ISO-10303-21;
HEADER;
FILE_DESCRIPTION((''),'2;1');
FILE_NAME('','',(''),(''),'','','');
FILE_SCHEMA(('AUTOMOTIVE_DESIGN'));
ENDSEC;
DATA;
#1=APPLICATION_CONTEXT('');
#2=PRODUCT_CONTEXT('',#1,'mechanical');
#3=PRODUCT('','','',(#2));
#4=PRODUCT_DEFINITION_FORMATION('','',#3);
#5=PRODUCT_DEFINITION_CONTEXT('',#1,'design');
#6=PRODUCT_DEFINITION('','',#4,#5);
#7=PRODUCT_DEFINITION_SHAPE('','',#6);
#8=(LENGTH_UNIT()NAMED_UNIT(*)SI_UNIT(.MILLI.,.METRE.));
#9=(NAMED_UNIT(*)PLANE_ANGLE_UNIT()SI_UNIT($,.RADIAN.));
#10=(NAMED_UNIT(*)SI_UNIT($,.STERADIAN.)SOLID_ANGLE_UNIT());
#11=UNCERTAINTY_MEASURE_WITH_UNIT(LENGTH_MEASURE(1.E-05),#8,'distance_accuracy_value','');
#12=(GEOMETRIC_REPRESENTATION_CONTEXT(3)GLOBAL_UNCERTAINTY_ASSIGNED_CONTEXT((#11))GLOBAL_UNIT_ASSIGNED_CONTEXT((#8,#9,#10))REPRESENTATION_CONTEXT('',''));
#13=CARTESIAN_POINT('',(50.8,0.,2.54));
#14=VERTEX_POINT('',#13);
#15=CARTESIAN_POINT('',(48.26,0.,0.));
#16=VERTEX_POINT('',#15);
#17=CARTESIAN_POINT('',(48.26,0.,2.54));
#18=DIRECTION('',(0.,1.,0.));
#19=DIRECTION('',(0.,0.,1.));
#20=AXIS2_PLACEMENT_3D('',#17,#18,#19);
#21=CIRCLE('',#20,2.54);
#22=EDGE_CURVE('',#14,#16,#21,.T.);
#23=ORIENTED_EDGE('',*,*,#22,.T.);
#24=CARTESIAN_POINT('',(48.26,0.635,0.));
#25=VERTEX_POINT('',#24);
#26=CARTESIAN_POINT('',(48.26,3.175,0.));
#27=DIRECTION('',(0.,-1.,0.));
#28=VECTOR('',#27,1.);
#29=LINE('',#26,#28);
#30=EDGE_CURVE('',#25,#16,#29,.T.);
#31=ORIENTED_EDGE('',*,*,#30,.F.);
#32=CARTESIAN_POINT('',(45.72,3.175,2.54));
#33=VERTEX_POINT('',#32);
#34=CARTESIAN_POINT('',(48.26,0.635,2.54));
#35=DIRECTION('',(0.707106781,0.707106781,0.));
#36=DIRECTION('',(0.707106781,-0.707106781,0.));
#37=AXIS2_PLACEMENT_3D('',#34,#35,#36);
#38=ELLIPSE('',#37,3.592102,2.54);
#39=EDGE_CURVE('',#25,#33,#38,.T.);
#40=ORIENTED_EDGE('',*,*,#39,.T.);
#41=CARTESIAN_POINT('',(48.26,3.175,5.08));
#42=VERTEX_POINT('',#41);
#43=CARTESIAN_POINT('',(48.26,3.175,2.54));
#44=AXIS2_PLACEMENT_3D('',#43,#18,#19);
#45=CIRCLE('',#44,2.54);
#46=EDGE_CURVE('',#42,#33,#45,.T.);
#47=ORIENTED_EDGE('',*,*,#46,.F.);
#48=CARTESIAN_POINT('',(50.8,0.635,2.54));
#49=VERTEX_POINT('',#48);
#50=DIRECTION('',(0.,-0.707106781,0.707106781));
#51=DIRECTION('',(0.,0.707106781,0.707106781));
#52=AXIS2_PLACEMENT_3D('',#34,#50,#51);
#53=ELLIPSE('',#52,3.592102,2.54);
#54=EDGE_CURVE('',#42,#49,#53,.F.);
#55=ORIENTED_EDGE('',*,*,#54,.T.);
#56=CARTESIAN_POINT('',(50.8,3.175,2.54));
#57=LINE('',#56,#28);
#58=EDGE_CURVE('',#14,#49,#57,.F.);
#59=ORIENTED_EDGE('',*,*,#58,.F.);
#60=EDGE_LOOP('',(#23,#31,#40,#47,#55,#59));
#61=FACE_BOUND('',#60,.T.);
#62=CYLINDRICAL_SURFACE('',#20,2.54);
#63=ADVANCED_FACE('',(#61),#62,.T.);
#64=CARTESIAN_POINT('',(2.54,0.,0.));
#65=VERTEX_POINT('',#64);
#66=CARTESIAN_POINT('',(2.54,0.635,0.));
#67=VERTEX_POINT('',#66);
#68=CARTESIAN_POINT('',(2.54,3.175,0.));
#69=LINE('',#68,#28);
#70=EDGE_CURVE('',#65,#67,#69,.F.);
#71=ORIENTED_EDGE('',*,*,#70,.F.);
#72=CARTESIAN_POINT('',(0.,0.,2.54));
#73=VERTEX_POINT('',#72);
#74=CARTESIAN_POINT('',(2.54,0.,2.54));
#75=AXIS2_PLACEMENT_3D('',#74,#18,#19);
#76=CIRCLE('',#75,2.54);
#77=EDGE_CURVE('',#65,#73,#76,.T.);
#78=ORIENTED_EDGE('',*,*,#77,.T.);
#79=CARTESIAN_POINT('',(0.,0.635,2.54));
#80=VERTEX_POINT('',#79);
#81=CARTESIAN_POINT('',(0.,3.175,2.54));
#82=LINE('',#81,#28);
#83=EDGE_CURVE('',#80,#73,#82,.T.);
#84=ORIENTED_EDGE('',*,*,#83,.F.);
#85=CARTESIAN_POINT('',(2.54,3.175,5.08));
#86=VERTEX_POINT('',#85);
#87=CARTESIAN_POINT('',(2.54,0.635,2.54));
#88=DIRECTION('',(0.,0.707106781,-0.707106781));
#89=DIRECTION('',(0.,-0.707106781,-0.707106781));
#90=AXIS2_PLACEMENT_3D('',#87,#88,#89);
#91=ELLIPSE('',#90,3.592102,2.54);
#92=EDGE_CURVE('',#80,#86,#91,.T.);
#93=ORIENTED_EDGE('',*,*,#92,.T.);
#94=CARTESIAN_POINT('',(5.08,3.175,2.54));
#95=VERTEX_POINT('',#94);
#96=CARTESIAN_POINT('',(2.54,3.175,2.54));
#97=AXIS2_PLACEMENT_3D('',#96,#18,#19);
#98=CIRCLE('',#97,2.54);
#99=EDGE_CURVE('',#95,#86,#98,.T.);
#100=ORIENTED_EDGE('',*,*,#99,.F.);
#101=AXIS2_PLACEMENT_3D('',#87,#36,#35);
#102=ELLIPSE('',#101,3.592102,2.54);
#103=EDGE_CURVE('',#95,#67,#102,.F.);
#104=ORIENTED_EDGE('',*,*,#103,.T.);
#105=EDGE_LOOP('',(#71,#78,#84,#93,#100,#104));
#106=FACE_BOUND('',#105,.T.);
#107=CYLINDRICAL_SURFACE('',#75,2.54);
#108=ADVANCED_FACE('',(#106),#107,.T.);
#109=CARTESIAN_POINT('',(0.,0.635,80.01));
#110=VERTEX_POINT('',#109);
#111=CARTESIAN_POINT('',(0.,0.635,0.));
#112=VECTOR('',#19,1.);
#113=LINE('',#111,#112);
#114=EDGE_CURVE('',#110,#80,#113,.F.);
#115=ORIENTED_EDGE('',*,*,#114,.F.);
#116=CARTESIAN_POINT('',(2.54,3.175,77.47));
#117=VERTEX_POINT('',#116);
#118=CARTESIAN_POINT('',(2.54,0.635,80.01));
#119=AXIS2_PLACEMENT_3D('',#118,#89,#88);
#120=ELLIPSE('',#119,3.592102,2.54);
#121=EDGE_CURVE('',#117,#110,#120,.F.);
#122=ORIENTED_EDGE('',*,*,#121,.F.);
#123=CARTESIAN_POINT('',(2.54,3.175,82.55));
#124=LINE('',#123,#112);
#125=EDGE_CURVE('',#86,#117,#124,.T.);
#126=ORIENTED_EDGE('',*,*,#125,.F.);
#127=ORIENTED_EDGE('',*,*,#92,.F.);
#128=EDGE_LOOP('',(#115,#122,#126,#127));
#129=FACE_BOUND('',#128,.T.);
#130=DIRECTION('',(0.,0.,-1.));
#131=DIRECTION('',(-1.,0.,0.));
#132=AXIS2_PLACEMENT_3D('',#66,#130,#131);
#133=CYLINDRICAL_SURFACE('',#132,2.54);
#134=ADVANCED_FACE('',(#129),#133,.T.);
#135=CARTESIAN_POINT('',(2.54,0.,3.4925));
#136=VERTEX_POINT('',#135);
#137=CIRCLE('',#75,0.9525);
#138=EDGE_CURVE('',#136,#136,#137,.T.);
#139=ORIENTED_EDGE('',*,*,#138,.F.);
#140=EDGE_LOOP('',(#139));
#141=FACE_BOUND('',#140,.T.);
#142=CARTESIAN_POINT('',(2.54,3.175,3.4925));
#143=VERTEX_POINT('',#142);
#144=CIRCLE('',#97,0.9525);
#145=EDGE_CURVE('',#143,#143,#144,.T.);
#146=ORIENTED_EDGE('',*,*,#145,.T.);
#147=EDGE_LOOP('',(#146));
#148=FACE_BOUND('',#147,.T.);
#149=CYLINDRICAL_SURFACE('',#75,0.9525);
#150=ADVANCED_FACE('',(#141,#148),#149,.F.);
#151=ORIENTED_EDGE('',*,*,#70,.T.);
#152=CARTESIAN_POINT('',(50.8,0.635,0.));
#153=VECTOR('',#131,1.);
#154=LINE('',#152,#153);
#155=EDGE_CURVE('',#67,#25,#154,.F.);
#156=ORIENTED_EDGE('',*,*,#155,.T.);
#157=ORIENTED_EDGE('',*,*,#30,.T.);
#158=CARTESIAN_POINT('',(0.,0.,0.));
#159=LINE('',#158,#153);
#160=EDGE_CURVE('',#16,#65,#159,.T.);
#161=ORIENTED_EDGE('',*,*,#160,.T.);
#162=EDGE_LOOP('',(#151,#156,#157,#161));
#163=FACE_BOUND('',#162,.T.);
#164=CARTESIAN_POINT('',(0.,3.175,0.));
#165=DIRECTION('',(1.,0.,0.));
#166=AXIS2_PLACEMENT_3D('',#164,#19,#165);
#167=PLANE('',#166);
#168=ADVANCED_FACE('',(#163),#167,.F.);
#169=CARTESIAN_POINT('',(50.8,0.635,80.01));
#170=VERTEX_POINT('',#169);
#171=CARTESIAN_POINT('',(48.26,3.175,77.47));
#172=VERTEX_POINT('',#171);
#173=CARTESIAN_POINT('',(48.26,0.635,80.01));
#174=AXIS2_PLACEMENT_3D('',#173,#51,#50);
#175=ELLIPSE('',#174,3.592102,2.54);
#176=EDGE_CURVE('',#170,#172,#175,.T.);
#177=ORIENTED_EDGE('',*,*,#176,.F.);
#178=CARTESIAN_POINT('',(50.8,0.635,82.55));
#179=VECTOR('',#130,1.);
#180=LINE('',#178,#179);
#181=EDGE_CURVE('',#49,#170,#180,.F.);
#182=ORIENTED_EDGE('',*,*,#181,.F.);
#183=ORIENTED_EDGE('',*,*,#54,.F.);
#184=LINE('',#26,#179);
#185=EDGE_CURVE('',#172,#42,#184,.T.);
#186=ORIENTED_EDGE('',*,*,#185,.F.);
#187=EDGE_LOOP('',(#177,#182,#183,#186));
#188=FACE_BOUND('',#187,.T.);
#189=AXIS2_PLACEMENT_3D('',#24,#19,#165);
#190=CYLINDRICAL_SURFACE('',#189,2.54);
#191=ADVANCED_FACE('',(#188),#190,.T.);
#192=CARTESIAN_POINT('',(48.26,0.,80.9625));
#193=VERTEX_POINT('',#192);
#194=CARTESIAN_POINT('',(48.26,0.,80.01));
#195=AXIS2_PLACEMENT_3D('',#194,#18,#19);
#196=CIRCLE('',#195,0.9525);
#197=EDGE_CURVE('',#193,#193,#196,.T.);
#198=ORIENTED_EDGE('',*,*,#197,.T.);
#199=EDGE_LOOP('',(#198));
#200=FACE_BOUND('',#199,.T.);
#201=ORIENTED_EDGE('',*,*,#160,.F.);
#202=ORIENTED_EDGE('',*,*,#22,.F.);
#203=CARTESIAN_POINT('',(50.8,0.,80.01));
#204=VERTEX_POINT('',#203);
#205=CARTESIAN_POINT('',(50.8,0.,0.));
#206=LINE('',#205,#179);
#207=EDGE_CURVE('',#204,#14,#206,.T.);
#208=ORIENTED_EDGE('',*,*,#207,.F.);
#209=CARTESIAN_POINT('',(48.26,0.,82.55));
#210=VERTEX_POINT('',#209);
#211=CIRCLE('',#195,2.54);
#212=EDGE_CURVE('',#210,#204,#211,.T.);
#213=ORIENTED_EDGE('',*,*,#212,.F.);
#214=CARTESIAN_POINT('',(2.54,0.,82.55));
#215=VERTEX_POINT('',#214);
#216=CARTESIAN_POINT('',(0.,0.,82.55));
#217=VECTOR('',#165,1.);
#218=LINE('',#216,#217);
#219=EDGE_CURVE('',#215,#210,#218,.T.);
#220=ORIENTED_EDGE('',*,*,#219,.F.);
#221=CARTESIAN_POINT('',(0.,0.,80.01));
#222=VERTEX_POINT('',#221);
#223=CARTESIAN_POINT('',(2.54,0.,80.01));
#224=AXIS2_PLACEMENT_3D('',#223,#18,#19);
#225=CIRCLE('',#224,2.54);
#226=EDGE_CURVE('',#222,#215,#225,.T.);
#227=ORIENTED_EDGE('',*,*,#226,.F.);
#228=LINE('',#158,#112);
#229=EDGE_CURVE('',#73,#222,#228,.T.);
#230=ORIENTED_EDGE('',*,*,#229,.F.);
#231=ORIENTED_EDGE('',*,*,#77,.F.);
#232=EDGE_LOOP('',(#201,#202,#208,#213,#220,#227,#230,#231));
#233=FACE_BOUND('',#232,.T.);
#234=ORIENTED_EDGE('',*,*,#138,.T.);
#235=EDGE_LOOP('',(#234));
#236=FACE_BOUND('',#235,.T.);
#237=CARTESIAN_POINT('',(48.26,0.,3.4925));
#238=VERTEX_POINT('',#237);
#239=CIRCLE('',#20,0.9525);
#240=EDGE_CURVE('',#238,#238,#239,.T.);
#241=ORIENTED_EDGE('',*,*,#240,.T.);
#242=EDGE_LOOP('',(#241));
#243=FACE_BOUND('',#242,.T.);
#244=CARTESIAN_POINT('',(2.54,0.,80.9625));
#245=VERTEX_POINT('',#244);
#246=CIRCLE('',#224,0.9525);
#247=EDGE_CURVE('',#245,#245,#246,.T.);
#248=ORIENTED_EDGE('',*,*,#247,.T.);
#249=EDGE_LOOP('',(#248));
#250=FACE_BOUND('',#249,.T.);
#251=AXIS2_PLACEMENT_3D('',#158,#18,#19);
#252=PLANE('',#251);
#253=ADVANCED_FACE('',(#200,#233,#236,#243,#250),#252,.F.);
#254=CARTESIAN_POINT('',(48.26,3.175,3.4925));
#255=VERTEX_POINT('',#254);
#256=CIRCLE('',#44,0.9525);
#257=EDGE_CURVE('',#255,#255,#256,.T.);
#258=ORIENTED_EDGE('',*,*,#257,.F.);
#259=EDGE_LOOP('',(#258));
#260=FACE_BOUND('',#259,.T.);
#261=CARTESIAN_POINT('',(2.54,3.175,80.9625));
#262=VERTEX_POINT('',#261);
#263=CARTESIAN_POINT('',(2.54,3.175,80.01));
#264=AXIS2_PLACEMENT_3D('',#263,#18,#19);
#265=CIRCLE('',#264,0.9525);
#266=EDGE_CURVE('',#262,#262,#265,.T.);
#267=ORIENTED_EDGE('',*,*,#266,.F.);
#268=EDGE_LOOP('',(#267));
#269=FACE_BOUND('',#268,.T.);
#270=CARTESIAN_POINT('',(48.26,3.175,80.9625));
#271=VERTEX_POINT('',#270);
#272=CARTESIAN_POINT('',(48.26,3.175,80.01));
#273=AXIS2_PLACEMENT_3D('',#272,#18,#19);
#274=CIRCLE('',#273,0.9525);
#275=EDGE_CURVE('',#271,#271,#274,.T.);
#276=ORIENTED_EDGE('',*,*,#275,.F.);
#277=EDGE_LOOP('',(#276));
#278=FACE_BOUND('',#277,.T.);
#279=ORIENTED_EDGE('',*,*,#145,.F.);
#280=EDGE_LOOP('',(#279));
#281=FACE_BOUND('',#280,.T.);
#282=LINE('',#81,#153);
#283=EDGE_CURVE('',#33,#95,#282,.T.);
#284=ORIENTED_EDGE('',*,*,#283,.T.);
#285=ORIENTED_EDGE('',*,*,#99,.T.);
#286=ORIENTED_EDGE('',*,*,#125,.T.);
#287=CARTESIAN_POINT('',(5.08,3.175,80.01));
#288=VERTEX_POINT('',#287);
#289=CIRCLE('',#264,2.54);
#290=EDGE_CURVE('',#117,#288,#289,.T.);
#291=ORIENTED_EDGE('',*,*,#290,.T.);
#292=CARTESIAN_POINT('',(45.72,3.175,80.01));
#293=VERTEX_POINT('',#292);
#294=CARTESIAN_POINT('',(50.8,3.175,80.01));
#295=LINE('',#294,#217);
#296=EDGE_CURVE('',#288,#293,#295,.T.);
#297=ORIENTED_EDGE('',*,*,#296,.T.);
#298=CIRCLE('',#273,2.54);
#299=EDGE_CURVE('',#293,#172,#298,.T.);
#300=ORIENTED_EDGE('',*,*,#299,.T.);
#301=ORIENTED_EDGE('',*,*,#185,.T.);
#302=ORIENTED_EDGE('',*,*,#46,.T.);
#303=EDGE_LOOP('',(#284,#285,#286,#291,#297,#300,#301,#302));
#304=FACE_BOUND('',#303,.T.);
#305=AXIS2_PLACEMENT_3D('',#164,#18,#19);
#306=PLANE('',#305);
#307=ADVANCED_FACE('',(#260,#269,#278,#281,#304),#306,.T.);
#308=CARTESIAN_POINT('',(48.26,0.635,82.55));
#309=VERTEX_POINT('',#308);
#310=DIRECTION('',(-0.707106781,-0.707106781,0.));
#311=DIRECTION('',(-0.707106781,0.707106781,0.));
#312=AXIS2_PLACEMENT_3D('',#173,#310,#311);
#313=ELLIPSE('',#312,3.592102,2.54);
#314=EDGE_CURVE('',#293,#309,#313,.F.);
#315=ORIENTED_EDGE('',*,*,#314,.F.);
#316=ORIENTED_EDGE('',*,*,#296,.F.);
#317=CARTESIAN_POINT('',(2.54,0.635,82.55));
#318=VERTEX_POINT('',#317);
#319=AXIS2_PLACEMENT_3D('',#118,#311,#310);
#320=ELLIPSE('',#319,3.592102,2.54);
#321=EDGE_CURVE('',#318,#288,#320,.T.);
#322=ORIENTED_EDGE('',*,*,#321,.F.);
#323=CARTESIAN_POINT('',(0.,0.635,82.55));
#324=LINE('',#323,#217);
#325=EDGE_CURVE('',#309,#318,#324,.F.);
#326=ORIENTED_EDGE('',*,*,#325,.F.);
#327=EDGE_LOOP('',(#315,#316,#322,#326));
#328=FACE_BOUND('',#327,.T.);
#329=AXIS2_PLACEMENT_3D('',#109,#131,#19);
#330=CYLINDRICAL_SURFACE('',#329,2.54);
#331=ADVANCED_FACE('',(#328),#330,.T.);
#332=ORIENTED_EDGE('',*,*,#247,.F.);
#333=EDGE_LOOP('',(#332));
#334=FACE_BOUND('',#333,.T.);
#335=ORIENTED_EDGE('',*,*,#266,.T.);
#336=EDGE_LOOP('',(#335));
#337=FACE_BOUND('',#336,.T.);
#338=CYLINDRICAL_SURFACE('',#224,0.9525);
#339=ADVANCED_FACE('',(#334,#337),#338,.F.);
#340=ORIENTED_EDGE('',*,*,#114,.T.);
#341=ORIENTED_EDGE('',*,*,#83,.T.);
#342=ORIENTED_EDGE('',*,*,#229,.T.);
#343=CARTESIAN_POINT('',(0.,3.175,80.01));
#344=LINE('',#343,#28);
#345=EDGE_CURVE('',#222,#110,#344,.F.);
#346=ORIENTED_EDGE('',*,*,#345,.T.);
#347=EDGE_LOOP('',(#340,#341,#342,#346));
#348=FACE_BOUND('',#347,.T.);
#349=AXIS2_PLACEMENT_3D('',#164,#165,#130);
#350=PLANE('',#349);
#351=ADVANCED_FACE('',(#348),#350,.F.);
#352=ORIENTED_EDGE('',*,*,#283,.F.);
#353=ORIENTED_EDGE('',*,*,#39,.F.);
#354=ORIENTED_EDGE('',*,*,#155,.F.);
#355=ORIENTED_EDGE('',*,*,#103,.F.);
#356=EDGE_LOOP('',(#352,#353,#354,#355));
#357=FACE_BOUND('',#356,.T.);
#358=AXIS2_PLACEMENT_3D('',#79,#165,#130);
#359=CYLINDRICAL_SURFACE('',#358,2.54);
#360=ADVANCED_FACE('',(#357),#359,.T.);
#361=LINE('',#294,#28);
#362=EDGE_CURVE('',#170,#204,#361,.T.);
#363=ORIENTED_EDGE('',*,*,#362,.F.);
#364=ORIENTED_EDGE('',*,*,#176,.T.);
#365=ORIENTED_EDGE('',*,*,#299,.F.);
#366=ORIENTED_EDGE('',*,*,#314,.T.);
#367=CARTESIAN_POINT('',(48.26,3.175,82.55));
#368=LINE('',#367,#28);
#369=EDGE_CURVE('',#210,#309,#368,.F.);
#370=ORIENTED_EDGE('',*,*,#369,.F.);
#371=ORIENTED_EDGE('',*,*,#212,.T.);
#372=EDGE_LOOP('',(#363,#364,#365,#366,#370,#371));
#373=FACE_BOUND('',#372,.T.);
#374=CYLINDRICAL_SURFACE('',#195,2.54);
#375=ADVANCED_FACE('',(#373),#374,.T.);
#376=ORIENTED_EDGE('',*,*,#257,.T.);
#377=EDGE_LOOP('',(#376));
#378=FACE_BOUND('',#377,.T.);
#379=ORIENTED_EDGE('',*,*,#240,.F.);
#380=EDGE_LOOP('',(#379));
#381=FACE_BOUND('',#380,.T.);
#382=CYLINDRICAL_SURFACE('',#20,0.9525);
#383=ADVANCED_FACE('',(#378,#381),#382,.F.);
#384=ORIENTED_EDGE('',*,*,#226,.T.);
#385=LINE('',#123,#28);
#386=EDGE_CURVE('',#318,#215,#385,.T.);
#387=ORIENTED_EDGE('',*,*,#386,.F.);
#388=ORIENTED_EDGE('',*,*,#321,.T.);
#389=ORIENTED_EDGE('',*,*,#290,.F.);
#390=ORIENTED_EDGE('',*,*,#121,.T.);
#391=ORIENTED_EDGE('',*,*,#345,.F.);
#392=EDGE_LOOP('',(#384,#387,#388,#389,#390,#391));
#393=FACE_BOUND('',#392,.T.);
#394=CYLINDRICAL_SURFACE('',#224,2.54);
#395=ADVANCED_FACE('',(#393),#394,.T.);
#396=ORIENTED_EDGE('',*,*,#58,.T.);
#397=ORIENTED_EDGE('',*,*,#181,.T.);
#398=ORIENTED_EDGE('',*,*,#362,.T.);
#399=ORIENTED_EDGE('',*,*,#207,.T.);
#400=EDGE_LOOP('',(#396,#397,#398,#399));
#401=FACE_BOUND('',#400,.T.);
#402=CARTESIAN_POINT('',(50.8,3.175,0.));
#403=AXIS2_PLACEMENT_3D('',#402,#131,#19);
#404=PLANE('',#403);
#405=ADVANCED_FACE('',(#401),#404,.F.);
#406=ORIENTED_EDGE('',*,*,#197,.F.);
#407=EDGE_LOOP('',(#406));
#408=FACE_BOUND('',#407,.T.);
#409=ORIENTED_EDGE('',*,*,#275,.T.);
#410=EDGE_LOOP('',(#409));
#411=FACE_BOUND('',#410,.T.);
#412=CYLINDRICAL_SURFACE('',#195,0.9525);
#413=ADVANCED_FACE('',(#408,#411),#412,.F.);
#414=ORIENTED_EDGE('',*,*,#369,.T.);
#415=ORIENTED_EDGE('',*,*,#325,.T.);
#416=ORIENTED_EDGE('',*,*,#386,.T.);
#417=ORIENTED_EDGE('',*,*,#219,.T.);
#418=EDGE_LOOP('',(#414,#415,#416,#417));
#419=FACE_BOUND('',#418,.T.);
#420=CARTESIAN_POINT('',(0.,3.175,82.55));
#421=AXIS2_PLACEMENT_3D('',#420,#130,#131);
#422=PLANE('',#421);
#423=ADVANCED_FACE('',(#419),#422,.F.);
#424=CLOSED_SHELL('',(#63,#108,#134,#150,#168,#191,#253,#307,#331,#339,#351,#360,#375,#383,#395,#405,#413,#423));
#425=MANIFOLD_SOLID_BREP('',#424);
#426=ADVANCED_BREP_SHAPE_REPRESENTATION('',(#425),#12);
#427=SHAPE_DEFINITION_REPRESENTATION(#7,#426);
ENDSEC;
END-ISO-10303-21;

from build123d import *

# Parameters (mm, degrees)
SKETCH1_W           = 50.8
SKETCH1_H           = 82.55
BOSS_EXTRUDE1_DEPTH = 3.175
FILLET1_R           = 2.54
SKETCH2_R           = 2.54
CUT_EXTRUDE1_DEPTH  = 4.175
SKETCH2_2_R         = 2.54
BOSS_EXTRUDE2_DEPTH = 3.175
SKETCH3_R           = 0.9525
CUT_EXTRUDE2_DEPTH  = 4.175


with BuildPart() as part:
    # Sketch1 → Boss-Extrude1 (new body)
    with BuildSketch(Plane(origin=(0, 0, 0), x_dir=(1, 0, 0), z_dir=(0, 1, 0))):
        with Locations((25.4, -41.275)):
            Rectangle(SKETCH1_W, SKETCH1_H)
    extrude(amount=BOSS_EXTRUDE1_DEPTH)

    # Fillet1
    fillet1_edges = [part.edges().sort_by_distance(p)[0] for p in [
        (50.8, 3.175, 41.275),
        (25.4, 3.175, 0),
        (0, 3.175, 41.275),
        (25.4, 3.175, 82.55),
        (0, 1.5875, 0),
        (50.8, 1.5875, 0),
        (50.8, 1.5875, 82.55),
        (0, 1.5875, 82.55),
    ]]
    fillet(fillet1_edges, radius=FILLET1_R)

    # Sketch2 → Cut-Extrude1 (cut, through all)
    with BuildSketch(Plane(origin=(0, 3.175, 0), x_dir=(1, 0, 0), z_dir=(0, 1, 0))):
        with Locations((48.26, -80.01)):
            Circle(SKETCH2_R)
        with Locations((2.54, -80.01)):
            Circle(SKETCH2_R)
        with Locations((2.54, -2.54)):
            Circle(SKETCH2_R)
        with Locations((48.26, -2.54)):
            Circle(SKETCH2_R)
    extrude(amount=-CUT_EXTRUDE1_DEPTH, mode=Mode.SUBTRACT)

    # Sketch2<2> → Boss-Extrude2 (add)
    with BuildSketch(Plane(origin=(0, 3.175, 0), x_dir=(1, 0, 0), z_dir=(0, 1, 0))):
        with Locations((48.26, -80.01)):
            Circle(SKETCH2_2_R)
        with Locations((2.54, -80.01)):
            Circle(SKETCH2_2_R)
        with Locations((2.54, -2.54)):
            Circle(SKETCH2_2_R)
        with Locations((48.26, -2.54)):
            Circle(SKETCH2_2_R)
    extrude(amount=-BOSS_EXTRUDE2_DEPTH)

    # Sketch3 → Cut-Extrude2 (cut, through all)
    with BuildSketch(Plane(origin=(0, 3.175, 0), x_dir=(1, 0, 0), z_dir=(0, 1, 0))):
        with Locations((2.54, -2.54)):
            Circle(SKETCH3_R)
        with Locations((48.26, -2.54)):
            Circle(SKETCH3_R)
        with Locations((2.54, -80.01)):
            Circle(SKETCH3_R)
        with Locations((48.26, -80.01)):
            Circle(SKETCH3_R)
    extrude(amount=-CUT_EXTRUDE2_DEPTH, mode=Mode.SUBTRACT)


solid = part.part
